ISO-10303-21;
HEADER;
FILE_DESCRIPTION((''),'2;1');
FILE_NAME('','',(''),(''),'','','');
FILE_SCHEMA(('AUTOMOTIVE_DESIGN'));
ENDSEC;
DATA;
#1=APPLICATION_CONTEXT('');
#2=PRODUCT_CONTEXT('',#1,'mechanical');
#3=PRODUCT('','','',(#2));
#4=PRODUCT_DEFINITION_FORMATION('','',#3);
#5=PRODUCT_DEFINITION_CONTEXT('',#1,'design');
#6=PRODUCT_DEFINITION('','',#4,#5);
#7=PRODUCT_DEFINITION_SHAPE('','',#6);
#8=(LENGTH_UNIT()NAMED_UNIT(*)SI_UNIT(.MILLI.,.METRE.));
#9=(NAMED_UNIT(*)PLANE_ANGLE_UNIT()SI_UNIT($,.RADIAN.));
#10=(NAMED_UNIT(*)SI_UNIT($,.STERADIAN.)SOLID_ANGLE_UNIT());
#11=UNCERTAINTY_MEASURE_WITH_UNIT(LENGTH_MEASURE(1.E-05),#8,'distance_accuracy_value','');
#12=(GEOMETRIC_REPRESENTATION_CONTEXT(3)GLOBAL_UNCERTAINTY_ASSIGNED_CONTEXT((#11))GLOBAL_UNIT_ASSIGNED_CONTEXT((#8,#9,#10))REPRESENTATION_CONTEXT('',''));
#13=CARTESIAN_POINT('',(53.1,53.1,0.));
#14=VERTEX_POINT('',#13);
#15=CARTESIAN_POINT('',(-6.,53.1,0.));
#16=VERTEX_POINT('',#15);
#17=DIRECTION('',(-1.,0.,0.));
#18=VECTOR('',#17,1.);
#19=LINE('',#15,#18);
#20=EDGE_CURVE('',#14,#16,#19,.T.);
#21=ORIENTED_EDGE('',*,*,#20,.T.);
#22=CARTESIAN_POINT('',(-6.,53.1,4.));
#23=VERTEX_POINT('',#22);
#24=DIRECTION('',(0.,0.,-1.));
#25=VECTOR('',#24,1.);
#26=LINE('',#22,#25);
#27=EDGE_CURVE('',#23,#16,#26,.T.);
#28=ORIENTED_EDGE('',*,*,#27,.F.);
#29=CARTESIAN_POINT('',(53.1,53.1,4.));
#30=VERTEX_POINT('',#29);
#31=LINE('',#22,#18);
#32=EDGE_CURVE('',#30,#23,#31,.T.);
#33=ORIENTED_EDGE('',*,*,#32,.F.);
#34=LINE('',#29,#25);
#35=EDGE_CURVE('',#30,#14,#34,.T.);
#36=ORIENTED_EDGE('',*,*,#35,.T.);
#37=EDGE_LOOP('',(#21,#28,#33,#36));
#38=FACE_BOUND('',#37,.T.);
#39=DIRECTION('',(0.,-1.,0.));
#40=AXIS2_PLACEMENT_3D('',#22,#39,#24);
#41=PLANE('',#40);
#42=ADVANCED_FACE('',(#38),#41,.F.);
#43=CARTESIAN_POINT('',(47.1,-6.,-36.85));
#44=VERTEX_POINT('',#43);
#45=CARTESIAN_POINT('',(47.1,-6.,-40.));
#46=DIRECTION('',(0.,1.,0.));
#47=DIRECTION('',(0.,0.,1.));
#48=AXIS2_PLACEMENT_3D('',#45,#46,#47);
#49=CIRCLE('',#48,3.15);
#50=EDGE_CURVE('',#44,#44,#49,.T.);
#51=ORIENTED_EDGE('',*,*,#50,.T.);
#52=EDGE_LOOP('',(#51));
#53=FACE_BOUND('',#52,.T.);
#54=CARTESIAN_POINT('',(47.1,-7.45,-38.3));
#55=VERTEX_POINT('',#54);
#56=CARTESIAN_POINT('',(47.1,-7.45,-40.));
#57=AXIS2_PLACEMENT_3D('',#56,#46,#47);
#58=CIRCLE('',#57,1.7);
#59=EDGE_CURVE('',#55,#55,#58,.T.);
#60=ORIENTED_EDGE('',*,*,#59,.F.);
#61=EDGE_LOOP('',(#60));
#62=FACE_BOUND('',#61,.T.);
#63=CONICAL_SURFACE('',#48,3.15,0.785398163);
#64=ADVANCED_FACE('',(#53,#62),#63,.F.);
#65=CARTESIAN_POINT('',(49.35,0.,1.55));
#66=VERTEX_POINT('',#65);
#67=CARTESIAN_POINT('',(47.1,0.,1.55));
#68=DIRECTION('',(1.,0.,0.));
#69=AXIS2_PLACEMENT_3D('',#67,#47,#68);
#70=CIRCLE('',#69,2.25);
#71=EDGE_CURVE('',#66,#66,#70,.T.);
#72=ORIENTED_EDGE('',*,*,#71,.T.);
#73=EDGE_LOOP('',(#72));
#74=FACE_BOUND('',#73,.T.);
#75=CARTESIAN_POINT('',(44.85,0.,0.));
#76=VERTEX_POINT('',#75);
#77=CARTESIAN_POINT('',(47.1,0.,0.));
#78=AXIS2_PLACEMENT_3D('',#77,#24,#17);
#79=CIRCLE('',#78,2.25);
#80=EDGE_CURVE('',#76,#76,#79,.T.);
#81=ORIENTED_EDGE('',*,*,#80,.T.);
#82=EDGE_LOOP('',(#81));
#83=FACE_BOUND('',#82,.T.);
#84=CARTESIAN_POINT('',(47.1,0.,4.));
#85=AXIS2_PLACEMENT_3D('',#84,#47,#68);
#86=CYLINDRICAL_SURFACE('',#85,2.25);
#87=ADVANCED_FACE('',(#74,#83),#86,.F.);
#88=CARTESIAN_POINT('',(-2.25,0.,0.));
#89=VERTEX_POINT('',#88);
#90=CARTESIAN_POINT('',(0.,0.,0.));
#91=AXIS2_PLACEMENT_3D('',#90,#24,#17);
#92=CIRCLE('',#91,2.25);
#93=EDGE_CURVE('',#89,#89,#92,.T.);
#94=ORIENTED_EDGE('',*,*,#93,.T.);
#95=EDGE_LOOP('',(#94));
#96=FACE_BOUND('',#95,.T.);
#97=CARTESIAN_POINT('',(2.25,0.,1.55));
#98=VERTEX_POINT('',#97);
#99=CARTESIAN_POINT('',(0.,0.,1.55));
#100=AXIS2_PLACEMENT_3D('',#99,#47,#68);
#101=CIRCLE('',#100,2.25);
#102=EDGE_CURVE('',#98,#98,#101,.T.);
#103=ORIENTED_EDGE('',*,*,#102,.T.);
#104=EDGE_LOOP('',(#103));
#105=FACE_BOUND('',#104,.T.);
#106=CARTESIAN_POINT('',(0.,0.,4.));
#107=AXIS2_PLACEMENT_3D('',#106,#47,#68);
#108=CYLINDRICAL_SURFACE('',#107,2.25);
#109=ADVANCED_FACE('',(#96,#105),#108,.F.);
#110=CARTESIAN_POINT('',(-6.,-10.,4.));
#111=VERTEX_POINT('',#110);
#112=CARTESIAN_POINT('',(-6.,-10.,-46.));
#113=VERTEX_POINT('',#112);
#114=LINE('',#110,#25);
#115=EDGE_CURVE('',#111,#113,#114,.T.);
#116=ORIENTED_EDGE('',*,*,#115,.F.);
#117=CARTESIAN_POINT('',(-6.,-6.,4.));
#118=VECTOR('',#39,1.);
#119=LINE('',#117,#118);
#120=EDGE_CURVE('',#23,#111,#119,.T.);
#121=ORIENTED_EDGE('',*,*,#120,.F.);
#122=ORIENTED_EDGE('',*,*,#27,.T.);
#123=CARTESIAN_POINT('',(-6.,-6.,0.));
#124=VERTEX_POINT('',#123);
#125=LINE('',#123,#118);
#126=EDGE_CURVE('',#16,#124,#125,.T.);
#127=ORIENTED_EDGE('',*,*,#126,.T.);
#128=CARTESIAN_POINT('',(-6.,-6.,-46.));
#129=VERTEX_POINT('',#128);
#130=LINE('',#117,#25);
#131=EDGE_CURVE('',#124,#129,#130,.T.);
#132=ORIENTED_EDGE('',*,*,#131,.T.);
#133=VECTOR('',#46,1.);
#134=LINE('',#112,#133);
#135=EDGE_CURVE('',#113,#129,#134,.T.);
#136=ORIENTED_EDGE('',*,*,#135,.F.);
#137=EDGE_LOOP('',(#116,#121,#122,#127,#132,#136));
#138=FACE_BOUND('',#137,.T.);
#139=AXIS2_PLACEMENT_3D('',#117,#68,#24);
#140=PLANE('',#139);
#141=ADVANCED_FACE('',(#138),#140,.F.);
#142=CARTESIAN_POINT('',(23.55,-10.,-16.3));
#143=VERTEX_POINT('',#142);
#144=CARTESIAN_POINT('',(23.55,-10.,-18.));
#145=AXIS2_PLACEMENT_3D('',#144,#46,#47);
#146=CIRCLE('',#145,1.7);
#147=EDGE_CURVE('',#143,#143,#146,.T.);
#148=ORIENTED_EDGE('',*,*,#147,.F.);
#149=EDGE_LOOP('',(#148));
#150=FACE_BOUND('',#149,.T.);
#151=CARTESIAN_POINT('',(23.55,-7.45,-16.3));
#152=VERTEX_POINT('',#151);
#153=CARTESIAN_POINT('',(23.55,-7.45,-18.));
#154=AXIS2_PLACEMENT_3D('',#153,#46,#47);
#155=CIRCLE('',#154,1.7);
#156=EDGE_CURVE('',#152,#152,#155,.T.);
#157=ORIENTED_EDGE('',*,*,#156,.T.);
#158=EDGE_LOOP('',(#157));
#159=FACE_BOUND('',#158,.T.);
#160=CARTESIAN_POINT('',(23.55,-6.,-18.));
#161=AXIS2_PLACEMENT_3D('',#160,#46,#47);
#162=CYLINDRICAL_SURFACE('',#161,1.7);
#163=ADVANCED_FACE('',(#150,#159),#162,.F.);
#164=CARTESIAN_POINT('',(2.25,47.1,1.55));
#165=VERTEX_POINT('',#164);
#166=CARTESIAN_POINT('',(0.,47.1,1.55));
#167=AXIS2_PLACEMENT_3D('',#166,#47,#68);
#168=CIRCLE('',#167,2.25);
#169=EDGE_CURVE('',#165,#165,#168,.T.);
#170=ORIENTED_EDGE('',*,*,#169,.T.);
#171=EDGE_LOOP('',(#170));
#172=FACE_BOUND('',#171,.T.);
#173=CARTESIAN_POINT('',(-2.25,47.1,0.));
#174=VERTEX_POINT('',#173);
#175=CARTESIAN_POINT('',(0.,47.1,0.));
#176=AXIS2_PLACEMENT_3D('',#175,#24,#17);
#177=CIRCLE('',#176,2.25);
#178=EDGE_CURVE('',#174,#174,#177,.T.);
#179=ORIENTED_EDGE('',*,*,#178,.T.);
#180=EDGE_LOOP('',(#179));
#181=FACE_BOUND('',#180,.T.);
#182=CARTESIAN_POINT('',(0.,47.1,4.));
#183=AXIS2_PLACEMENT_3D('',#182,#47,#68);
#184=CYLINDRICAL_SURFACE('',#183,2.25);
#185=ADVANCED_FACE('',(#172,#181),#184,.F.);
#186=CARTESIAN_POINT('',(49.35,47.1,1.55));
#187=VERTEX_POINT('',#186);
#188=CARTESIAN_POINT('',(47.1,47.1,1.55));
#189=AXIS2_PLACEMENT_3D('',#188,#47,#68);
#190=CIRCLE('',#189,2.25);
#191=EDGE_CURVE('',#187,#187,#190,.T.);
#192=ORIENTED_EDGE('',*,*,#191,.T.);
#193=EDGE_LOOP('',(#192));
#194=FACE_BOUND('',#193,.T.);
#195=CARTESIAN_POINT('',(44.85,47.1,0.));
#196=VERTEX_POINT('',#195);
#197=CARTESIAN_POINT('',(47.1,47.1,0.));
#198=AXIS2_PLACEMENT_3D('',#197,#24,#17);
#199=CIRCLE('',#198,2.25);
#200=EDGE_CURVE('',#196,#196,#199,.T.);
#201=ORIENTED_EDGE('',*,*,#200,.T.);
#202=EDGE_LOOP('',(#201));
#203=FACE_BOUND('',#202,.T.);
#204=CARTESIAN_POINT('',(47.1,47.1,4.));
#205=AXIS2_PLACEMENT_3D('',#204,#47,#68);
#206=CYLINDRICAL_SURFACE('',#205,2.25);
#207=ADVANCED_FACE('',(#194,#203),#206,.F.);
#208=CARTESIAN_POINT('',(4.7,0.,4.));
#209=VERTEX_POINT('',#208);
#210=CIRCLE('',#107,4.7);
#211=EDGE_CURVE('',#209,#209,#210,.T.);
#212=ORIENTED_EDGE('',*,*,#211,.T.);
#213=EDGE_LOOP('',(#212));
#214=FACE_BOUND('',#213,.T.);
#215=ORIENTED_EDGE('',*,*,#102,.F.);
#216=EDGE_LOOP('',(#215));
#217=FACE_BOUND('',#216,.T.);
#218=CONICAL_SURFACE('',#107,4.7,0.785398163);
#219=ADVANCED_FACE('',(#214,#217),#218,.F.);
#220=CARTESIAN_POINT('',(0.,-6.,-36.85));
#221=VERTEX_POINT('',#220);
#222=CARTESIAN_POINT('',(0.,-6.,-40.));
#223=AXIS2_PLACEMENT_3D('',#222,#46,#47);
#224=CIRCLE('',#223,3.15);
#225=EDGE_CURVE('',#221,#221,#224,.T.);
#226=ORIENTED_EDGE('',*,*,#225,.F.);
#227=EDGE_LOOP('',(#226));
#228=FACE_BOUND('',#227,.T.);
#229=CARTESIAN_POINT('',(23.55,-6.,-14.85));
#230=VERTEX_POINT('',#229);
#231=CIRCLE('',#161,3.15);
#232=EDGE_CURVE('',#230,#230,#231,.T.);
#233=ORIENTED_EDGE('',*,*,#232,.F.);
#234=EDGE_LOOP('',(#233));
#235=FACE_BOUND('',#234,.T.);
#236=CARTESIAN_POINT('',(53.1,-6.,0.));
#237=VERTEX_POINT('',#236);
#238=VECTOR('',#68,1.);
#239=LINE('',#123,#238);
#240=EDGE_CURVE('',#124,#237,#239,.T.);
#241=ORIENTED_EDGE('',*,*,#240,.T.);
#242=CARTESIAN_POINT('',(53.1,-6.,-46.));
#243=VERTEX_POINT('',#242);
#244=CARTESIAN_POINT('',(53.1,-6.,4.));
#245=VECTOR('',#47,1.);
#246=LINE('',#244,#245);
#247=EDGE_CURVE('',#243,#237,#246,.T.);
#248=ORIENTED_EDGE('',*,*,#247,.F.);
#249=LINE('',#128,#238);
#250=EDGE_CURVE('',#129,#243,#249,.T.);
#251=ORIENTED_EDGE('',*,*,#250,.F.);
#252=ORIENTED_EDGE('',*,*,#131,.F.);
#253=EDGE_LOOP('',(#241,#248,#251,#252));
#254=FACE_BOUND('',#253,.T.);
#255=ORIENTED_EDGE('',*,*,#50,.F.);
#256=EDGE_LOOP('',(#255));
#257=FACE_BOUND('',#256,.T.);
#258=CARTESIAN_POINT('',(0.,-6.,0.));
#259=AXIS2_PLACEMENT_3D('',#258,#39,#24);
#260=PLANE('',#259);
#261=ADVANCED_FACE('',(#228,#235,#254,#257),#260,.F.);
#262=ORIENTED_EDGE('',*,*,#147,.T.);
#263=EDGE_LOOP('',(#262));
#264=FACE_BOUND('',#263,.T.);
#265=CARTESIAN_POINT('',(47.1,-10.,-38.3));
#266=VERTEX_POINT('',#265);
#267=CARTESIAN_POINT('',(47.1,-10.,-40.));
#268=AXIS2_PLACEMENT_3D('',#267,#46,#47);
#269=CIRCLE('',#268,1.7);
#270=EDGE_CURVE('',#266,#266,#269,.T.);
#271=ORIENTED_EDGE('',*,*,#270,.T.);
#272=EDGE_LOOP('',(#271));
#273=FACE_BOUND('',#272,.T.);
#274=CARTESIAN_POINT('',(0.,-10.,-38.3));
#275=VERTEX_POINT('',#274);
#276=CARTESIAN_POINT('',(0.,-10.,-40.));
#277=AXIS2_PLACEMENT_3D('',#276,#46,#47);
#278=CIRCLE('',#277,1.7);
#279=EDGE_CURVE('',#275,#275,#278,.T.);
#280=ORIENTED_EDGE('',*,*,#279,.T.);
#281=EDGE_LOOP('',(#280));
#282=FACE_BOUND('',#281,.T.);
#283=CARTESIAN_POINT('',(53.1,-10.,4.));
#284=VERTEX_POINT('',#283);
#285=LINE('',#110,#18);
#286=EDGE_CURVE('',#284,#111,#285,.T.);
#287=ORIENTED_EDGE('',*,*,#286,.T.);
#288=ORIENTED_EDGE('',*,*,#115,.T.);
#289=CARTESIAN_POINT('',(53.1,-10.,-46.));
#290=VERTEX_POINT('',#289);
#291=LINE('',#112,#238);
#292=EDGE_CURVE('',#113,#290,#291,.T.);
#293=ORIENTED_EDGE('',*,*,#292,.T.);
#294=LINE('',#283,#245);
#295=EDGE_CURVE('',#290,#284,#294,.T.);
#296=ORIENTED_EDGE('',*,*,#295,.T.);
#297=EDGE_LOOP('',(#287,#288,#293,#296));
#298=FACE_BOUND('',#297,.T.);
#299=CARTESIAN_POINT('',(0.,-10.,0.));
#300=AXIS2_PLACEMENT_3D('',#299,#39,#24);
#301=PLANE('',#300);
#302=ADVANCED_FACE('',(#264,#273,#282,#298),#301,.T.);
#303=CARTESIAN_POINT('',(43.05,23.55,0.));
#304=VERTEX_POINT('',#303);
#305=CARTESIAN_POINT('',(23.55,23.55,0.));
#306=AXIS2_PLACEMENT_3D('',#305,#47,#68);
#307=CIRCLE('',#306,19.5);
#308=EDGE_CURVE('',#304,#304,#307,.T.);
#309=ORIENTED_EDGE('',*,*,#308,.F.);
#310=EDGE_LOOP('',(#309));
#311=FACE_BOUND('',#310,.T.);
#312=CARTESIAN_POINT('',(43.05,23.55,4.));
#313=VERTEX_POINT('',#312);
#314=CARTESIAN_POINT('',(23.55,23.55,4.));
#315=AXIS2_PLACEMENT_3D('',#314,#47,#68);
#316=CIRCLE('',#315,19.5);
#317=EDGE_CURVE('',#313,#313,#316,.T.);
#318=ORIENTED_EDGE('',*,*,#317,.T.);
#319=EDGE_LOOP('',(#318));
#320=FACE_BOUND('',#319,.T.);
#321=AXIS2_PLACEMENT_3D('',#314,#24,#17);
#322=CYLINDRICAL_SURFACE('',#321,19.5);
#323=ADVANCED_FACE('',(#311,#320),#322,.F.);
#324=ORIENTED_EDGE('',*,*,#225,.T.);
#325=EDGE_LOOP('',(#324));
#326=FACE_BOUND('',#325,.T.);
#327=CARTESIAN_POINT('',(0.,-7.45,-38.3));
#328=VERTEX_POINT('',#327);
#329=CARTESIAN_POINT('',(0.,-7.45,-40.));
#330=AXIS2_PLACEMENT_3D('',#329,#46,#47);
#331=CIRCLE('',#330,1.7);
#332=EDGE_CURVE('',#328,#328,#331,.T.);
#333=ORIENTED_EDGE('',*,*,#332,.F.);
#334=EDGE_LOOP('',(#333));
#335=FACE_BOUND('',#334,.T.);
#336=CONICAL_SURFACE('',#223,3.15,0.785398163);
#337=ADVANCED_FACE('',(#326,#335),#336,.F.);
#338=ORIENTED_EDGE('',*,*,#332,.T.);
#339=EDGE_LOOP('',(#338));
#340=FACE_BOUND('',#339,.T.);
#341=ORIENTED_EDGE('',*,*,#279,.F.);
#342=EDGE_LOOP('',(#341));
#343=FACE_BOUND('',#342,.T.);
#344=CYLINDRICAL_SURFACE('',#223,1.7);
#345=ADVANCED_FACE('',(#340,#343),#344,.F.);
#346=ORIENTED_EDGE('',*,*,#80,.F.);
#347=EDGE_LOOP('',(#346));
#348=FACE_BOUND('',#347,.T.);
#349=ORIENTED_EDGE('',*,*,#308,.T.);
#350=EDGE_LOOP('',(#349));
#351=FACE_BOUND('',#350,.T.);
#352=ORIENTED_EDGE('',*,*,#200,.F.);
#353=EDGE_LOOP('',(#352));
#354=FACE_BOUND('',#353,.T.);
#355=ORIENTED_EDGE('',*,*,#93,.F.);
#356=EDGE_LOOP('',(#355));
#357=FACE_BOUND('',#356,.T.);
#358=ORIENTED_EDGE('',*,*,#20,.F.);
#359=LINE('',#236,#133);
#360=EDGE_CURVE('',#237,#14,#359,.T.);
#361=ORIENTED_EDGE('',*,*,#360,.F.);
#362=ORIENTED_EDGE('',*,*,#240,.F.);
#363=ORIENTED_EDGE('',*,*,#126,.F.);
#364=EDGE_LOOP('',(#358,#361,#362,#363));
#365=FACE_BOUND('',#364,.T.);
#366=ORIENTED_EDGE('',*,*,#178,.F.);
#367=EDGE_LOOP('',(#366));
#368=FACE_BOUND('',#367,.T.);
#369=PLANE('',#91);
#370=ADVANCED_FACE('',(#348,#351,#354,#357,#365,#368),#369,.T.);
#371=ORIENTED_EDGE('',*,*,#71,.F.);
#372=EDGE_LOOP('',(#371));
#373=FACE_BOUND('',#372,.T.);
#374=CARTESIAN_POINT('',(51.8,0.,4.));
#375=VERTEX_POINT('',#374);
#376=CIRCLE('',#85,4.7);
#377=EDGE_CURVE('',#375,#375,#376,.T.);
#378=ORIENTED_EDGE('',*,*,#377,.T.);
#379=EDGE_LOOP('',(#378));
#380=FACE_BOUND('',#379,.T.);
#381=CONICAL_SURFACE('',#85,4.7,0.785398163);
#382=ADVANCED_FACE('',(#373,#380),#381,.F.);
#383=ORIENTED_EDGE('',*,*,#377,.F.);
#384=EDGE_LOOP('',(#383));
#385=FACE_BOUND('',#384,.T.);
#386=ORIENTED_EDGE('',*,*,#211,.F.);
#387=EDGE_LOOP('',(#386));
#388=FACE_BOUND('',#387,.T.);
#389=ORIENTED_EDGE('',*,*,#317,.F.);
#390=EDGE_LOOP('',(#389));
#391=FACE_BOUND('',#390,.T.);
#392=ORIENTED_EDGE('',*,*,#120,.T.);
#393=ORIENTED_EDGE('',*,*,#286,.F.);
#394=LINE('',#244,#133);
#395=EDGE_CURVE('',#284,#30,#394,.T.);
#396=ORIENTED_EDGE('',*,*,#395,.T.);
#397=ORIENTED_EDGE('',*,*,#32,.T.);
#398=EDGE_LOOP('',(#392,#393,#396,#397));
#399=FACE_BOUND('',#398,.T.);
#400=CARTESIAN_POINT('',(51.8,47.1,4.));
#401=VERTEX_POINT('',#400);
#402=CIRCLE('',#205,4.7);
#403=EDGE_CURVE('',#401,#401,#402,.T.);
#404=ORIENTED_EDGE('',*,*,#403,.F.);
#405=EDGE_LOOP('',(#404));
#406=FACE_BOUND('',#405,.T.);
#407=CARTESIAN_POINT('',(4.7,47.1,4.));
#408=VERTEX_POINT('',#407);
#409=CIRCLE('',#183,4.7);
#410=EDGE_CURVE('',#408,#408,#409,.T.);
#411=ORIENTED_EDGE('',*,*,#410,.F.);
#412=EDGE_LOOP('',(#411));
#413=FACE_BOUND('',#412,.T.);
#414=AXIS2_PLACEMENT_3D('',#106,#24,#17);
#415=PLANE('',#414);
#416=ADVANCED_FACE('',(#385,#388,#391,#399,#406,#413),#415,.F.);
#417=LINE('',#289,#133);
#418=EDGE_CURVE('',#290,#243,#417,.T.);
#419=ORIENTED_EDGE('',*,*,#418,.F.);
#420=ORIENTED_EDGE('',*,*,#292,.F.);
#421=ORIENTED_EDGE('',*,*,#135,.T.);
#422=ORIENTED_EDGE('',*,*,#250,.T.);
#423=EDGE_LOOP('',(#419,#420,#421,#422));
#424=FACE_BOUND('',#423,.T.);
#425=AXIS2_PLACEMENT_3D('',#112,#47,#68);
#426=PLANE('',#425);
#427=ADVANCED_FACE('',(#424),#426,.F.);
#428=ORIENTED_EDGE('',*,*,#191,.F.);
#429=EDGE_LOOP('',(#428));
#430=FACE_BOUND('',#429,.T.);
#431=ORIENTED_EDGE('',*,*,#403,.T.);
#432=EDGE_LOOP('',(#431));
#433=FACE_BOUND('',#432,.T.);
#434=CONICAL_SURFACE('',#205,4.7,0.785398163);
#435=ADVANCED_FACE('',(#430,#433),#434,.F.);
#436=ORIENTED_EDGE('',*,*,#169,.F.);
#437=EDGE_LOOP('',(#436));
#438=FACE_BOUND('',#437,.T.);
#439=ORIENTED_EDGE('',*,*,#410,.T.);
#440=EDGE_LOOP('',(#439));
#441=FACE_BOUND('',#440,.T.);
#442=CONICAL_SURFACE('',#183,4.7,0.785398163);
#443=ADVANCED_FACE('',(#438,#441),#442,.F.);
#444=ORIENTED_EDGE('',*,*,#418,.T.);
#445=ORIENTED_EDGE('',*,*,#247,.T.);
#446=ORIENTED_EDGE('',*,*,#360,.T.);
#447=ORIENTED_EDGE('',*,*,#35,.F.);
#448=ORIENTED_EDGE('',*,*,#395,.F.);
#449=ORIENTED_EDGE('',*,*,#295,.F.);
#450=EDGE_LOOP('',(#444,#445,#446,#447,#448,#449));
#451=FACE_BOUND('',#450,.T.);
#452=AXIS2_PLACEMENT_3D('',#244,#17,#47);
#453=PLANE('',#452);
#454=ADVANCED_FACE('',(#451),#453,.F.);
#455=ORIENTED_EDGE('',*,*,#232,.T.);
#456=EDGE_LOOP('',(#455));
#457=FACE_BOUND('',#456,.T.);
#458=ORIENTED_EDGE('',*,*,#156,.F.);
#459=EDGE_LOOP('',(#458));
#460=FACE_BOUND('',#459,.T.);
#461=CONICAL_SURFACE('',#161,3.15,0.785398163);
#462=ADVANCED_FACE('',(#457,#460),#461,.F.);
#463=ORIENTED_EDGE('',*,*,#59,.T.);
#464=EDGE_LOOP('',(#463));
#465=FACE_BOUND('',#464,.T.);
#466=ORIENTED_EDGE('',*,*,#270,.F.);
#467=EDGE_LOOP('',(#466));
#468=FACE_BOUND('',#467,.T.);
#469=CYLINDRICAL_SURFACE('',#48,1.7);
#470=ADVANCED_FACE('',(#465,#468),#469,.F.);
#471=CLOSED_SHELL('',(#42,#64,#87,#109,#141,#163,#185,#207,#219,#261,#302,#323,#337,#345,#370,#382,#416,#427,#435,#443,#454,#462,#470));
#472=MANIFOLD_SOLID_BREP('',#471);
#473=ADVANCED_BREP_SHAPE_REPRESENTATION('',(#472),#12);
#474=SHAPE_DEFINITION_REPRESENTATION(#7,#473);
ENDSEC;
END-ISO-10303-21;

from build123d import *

# Parameters (mm, degrees)
SKETCH1_W                                       = 59.1
SKETCH1_H                                       = 59.1
SKETCH1_R                                       = 19.5
SKETCH1_R_2                                     = 1.55
BOSS_EXTRUDE1_DEPTH                             = 4
SKETCH2_W                                       = 59.1
SKETCH2_H                                       = 50
SKETCH2_R                                       = 1.5
BOSS_EXTRUDE2_DEPTH                             = 4
CSK_FOR_M3_FLAT_HEAD_MACHINE_SCREW1_D           = 3.4
CSK_FOR_M3_FLAT_HEAD_MACHINE_SCREW1_CSINK_D     = 6.3
CSK_FOR_M3_FLAT_HEAD_MACHINE_SCREW1_CSINK_ANGLE = 90
CSK_FOR_M4_FLAT_HEAD_MACHINE_SCREW1_D           = 4.5
CSK_FOR_M4_FLAT_HEAD_MACHINE_SCREW1_CSINK_D     = 9.4
CSK_FOR_M4_FLAT_HEAD_MACHINE_SCREW1_CSINK_ANGLE = 90


with BuildPart() as part:
    # Sketch1 → Boss-Extrude1 (new body)
    with BuildSketch(Plane.XY):
        with Locations((23.55, 23.55)):
            Rectangle(SKETCH1_W, SKETCH1_H)
        with Locations((23.55, 23.55)):
            Circle(SKETCH1_R, mode=Mode.SUBTRACT)
        with Locations((0, 47.1)):
            Circle(SKETCH1_R_2, mode=Mode.SUBTRACT)
        with Locations((47.1, 47.1)):
            Circle(SKETCH1_R_2, mode=Mode.SUBTRACT)
        with Locations((47.1, 0)):
            Circle(SKETCH1_R_2, mode=Mode.SUBTRACT)
        Circle(SKETCH1_R_2, mode=Mode.SUBTRACT)
    extrude(amount=BOSS_EXTRUDE1_DEPTH)

    # Sketch2 → Boss-Extrude2 (add)
    with BuildSketch(Plane.XZ.offset(6)):
        with Locations((23.55, -21)):
            Rectangle(SKETCH2_W, SKETCH2_H)
        with Locations(Location((0, -40, 0), (0, 0, 270))):
            Circle(SKETCH2_R, mode=Mode.SUBTRACT)
        with Locations(Location((47.1, -40, 0), (0, 0, 270))):
            Circle(SKETCH2_R, mode=Mode.SUBTRACT)
        with Locations(Location((23.55, -18, 0), (0, 0, 270))):
            Circle(SKETCH2_R, mode=Mode.SUBTRACT)
    extrude(amount=BOSS_EXTRUDE2_DEPTH)

    # CSK for M3 Flat Head Machine Screw1 (through all)
    with Locations(Plane(origin=(0, -6, 0), x_dir=(1, 0, 0), z_dir=(0, 1, 0))):
        with Locations((0, 40), (47.1, 40), (23.55, 18)):
            CounterSinkHole(CSK_FOR_M3_FLAT_HEAD_MACHINE_SCREW1_D / 2, CSK_FOR_M3_FLAT_HEAD_MACHINE_SCREW1_CSINK_D / 2, counter_sink_angle=CSK_FOR_M3_FLAT_HEAD_MACHINE_SCREW1_CSINK_ANGLE)

    # CSK for M4 Flat Head Machine Screw1 (through all)
    with Locations(Plane.XY.offset(4)):
        with Locations((0, 47.1), (47.1, 47.1), (47.1, 0), (0, 0)):
            CounterSinkHole(CSK_FOR_M4_FLAT_HEAD_MACHINE_SCREW1_D / 2, CSK_FOR_M4_FLAT_HEAD_MACHINE_SCREW1_CSINK_D / 2, counter_sink_angle=CSK_FOR_M4_FLAT_HEAD_MACHINE_SCREW1_CSINK_ANGLE)


solid = part.part
